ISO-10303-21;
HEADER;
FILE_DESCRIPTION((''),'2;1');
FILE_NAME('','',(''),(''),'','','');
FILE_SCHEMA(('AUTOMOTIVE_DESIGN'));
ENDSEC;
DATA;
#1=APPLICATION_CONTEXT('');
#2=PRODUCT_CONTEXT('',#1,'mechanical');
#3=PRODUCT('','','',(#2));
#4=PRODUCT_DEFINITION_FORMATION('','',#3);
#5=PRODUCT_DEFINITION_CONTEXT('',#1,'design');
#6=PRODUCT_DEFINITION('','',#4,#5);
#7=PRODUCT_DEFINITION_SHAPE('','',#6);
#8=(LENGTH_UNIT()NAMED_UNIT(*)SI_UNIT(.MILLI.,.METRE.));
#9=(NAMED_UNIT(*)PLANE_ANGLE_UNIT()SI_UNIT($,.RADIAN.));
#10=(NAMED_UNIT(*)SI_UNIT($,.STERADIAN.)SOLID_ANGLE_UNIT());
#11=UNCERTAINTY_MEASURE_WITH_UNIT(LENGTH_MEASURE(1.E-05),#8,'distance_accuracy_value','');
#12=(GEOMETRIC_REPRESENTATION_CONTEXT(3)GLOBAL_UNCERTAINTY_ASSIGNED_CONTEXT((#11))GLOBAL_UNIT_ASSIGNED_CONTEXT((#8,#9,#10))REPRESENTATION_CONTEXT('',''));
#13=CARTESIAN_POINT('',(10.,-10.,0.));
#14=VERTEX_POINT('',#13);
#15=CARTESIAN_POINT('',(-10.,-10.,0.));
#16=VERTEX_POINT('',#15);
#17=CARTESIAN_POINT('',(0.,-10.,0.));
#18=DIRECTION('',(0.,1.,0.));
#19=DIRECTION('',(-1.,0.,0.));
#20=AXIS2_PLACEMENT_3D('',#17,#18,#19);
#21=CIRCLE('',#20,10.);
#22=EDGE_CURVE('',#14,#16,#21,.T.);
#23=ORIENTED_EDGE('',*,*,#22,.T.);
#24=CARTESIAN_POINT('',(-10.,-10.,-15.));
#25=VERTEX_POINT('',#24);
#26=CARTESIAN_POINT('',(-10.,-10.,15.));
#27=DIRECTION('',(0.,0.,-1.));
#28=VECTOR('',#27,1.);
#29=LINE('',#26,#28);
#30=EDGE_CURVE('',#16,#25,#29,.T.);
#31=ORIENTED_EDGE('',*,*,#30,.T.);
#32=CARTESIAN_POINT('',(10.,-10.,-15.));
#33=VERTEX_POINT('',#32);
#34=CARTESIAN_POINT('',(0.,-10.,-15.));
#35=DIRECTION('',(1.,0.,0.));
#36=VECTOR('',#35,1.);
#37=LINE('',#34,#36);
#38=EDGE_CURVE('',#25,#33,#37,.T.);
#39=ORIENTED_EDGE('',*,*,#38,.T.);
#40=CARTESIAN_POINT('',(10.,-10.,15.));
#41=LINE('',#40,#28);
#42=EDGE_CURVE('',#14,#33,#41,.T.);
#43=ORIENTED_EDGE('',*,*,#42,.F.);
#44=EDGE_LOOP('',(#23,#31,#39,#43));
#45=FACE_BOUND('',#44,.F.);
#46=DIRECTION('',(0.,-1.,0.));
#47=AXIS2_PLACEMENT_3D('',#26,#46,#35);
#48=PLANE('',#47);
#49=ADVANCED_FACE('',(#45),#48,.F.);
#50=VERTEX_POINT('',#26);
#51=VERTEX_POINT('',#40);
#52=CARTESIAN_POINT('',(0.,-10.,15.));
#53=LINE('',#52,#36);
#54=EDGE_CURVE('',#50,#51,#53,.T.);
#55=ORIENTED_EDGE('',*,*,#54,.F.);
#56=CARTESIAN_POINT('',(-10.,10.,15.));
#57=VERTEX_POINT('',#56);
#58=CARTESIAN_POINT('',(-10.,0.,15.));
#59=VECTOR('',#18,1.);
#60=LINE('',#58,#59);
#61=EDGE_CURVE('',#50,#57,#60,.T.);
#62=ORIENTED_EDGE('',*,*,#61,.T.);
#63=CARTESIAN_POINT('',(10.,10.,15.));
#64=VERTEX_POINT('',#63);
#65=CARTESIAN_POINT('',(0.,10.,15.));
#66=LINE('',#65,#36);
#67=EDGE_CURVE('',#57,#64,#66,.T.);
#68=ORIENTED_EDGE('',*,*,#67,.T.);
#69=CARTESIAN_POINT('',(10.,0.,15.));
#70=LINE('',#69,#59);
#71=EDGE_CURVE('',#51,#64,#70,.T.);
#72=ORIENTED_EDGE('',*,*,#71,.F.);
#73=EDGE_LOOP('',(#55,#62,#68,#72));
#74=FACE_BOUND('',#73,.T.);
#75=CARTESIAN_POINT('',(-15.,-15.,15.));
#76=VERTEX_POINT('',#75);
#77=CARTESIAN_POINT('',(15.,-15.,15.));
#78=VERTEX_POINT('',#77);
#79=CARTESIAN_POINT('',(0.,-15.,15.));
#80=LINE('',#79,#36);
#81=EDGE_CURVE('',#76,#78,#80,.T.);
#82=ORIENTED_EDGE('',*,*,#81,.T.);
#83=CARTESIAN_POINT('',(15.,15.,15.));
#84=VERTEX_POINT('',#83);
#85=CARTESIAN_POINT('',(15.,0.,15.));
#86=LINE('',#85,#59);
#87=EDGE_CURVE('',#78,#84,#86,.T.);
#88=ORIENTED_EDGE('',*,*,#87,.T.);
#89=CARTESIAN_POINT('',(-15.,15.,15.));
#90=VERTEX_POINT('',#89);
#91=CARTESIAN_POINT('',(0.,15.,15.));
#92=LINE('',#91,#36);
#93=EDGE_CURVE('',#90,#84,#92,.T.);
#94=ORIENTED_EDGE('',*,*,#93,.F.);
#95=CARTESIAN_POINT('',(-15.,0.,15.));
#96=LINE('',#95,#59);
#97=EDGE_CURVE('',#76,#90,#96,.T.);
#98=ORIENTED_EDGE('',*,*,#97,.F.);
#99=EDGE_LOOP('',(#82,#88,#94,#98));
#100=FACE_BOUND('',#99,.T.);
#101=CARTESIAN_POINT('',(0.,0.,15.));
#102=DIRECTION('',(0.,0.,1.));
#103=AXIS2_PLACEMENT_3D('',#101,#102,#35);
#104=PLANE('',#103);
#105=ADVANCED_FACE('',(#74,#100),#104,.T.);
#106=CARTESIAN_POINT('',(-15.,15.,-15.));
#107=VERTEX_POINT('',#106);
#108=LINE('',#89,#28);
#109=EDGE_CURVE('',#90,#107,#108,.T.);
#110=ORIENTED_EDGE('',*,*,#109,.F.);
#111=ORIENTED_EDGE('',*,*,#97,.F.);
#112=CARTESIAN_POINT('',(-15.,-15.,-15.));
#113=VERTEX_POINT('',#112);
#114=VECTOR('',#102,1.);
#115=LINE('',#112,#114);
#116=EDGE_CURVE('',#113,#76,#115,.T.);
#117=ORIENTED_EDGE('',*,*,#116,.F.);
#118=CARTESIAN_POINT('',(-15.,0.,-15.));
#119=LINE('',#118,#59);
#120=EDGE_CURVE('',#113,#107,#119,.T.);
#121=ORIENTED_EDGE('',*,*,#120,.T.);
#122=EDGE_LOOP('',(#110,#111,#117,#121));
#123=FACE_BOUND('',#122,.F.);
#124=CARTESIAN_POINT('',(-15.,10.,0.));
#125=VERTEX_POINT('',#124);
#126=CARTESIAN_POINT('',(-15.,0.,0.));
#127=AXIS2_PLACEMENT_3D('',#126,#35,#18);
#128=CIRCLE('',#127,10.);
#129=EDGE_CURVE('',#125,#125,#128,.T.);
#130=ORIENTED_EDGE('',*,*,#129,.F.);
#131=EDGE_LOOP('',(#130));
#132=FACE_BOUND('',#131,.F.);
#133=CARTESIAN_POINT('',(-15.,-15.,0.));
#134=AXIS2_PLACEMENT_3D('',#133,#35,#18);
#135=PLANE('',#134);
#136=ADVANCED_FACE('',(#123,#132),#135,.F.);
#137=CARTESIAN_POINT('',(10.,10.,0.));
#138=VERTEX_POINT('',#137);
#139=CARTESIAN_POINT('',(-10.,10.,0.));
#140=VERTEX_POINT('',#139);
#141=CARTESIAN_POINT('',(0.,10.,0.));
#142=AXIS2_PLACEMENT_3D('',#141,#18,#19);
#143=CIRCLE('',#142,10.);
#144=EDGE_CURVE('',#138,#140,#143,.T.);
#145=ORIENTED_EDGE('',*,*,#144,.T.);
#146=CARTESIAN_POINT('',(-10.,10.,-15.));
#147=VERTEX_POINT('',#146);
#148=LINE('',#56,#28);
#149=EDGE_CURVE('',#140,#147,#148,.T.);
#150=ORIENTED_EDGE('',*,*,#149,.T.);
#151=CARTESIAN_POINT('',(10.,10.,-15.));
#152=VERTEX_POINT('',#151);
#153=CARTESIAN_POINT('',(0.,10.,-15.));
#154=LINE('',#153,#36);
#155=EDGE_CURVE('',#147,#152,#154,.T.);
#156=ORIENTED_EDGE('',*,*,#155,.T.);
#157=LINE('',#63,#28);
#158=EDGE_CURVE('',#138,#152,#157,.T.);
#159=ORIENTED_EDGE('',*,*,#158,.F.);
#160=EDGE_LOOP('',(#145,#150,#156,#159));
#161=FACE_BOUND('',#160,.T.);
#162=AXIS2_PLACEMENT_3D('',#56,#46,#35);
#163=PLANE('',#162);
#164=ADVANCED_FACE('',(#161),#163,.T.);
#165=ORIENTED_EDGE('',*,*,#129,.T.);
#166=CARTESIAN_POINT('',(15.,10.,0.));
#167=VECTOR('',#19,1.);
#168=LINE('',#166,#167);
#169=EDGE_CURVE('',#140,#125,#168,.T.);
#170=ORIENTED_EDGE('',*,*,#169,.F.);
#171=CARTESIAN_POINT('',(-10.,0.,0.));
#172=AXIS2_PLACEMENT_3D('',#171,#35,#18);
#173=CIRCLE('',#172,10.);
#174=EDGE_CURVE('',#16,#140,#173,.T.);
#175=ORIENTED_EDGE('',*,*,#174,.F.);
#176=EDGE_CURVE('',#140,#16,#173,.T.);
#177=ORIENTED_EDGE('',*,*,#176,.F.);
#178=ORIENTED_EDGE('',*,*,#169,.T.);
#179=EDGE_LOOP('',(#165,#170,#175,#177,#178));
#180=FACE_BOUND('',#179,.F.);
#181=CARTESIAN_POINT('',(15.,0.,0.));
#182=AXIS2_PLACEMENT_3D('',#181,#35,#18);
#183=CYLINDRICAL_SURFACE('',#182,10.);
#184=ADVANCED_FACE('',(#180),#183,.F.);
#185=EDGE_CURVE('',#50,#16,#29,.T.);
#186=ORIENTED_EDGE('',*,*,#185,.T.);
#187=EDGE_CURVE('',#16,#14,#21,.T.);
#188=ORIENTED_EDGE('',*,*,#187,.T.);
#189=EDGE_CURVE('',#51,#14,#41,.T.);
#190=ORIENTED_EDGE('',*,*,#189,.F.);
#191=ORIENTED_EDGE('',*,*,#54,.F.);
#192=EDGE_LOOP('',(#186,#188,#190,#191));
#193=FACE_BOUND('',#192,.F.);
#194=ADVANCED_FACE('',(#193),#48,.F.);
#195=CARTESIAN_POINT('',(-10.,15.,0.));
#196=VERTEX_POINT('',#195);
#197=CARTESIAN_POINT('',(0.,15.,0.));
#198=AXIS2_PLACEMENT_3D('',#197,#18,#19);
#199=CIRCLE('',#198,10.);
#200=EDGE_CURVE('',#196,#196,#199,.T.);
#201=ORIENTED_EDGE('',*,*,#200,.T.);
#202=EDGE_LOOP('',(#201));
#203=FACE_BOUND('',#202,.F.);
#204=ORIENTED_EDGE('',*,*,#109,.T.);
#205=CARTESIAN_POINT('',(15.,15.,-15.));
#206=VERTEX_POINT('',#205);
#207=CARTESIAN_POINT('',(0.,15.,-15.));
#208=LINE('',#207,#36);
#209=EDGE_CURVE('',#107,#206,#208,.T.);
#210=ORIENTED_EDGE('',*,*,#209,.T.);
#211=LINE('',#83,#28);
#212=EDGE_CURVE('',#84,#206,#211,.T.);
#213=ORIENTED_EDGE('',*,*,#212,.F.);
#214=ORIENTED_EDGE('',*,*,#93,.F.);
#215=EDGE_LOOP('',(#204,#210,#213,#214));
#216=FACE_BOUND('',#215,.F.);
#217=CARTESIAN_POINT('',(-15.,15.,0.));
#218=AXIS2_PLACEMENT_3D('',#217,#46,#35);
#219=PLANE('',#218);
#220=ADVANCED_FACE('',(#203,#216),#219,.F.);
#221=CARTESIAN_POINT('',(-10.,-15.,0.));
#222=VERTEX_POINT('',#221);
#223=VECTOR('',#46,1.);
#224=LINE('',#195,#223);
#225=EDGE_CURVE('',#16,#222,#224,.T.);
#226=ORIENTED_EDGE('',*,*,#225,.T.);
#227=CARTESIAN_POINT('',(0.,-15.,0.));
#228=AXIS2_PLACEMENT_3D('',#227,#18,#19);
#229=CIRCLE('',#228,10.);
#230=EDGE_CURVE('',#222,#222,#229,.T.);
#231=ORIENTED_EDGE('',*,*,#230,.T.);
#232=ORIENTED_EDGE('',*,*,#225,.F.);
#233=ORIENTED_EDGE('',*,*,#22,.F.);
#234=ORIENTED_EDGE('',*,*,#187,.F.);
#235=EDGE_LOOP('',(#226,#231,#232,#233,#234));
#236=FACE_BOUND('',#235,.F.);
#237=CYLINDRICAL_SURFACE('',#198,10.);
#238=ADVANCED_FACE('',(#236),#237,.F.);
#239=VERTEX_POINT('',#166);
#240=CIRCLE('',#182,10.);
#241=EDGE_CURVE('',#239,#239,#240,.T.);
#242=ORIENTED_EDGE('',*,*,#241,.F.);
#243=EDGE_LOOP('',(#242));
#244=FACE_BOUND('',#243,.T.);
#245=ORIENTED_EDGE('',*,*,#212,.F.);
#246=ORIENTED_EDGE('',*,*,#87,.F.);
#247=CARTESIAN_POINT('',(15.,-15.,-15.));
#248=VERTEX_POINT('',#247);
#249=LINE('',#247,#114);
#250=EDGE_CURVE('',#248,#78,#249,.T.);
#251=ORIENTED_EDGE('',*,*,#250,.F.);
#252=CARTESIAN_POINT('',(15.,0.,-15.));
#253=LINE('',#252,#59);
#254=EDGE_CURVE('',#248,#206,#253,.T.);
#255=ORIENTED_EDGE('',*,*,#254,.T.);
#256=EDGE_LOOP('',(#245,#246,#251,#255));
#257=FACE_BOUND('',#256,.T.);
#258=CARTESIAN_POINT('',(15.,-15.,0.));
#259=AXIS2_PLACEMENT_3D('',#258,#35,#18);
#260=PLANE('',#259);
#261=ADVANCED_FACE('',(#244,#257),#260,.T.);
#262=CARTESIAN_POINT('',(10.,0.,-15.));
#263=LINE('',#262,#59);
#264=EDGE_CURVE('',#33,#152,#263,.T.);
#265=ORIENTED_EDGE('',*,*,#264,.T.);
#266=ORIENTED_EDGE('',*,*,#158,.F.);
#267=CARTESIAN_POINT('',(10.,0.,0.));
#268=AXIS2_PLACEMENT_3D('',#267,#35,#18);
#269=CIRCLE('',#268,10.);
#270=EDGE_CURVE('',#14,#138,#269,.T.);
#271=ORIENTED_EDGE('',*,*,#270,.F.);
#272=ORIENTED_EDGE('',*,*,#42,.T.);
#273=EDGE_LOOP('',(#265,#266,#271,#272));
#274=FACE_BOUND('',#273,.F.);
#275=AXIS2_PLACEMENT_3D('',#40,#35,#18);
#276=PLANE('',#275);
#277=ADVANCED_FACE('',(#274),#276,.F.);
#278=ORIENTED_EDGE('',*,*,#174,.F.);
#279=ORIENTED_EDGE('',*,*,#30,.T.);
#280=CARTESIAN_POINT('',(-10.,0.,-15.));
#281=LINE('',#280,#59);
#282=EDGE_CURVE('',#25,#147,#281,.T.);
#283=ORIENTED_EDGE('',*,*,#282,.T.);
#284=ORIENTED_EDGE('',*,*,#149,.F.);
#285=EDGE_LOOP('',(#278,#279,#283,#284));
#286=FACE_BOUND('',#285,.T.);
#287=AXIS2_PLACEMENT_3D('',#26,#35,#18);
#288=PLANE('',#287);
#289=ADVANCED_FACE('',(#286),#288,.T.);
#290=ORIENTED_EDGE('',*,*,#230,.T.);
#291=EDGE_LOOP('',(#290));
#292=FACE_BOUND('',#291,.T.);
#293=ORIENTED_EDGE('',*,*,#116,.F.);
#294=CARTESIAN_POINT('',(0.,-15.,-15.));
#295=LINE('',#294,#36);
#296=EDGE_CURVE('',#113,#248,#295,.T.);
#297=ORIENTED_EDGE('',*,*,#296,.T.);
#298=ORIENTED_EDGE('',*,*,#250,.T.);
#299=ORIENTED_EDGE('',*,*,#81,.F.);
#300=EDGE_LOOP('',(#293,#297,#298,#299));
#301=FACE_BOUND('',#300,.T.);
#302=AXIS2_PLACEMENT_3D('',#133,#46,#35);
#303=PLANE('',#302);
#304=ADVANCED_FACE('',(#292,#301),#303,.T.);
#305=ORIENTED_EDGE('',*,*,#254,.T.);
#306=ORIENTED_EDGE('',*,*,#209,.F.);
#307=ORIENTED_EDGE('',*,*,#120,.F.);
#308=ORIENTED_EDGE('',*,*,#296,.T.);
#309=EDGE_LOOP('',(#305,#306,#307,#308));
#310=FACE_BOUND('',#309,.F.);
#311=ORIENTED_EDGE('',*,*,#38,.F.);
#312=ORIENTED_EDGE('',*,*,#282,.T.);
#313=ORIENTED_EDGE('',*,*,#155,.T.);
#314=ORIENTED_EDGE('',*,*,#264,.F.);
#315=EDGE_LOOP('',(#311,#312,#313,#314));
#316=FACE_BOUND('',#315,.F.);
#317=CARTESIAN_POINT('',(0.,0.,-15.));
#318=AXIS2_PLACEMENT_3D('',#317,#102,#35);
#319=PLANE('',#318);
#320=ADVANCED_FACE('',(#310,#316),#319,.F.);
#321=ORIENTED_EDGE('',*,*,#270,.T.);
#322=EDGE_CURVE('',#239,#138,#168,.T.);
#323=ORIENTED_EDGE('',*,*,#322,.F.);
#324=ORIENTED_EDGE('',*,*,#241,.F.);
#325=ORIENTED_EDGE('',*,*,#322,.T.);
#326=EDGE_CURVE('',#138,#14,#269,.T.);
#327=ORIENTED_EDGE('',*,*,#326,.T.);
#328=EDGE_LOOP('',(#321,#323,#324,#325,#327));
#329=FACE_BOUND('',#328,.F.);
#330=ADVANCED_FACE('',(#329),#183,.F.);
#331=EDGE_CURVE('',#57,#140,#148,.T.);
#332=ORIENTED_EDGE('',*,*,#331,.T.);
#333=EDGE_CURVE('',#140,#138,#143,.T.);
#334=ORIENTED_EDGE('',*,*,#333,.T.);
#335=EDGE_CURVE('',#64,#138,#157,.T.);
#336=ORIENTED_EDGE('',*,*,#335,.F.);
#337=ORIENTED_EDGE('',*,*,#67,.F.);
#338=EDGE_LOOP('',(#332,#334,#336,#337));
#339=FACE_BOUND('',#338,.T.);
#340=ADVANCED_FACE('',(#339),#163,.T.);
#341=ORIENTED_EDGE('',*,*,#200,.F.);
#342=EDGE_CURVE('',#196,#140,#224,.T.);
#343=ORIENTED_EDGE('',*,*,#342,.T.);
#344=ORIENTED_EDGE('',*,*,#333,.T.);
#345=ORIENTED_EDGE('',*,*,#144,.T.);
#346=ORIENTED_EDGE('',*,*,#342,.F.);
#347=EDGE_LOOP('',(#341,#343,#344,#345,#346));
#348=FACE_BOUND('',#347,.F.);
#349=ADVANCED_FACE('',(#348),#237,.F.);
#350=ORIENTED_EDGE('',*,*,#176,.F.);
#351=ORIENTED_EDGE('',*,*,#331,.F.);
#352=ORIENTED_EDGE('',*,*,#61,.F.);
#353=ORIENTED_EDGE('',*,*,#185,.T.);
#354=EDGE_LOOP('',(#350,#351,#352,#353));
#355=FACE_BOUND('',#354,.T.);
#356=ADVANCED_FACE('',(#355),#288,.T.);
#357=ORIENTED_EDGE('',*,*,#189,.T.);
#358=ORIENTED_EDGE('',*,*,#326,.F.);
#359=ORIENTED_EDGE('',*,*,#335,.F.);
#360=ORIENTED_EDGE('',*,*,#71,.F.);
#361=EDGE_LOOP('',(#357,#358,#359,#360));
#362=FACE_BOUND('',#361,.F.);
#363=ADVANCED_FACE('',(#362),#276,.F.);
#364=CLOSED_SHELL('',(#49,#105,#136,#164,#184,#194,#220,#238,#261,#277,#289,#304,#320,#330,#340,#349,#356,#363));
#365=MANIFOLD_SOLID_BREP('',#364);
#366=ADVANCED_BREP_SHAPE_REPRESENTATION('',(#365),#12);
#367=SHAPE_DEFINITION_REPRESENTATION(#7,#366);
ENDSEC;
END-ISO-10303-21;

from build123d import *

# Parameters (mm, degrees)
F0_W     = 30
F0_H     = 30
F1_DEPTH = 15
F2_W     = 20
F2_H     = 20
F3_DEPTH = 30
F4_R     = 10
F5_DEPTH = 30
F6_R     = 10
F7_DEPTH = 30


with BuildPart() as f1:
    # F0 (on Top) → F1 (new body, symmetric)
    with BuildSketch(Plane.XY):
        Rectangle(F0_W, F0_H)
    extrude(amount=F1_DEPTH, both=True)

    # F2 (on face) → F3 (cut)
    with BuildSketch(Plane.XY.offset(15)):
        Rectangle(F2_W, F2_H)
    extrude(amount=-F3_DEPTH, mode=Mode.SUBTRACT)

    # F4 (on face) → F5 (cut)
    with BuildSketch(Plane(origin=(0, 15, 0), x_dir=(-1, 0, 0), z_dir=(0, 1, 0))):
        Circle(F4_R)
    extrude(amount=-F5_DEPTH, mode=Mode.SUBTRACT)

    # F6 (on face) → F7 (cut)
    with BuildSketch(Plane.YZ.offset(15)):
        Circle(F6_R)
    extrude(amount=-F7_DEPTH, mode=Mode.SUBTRACT)


solid = f1.part
